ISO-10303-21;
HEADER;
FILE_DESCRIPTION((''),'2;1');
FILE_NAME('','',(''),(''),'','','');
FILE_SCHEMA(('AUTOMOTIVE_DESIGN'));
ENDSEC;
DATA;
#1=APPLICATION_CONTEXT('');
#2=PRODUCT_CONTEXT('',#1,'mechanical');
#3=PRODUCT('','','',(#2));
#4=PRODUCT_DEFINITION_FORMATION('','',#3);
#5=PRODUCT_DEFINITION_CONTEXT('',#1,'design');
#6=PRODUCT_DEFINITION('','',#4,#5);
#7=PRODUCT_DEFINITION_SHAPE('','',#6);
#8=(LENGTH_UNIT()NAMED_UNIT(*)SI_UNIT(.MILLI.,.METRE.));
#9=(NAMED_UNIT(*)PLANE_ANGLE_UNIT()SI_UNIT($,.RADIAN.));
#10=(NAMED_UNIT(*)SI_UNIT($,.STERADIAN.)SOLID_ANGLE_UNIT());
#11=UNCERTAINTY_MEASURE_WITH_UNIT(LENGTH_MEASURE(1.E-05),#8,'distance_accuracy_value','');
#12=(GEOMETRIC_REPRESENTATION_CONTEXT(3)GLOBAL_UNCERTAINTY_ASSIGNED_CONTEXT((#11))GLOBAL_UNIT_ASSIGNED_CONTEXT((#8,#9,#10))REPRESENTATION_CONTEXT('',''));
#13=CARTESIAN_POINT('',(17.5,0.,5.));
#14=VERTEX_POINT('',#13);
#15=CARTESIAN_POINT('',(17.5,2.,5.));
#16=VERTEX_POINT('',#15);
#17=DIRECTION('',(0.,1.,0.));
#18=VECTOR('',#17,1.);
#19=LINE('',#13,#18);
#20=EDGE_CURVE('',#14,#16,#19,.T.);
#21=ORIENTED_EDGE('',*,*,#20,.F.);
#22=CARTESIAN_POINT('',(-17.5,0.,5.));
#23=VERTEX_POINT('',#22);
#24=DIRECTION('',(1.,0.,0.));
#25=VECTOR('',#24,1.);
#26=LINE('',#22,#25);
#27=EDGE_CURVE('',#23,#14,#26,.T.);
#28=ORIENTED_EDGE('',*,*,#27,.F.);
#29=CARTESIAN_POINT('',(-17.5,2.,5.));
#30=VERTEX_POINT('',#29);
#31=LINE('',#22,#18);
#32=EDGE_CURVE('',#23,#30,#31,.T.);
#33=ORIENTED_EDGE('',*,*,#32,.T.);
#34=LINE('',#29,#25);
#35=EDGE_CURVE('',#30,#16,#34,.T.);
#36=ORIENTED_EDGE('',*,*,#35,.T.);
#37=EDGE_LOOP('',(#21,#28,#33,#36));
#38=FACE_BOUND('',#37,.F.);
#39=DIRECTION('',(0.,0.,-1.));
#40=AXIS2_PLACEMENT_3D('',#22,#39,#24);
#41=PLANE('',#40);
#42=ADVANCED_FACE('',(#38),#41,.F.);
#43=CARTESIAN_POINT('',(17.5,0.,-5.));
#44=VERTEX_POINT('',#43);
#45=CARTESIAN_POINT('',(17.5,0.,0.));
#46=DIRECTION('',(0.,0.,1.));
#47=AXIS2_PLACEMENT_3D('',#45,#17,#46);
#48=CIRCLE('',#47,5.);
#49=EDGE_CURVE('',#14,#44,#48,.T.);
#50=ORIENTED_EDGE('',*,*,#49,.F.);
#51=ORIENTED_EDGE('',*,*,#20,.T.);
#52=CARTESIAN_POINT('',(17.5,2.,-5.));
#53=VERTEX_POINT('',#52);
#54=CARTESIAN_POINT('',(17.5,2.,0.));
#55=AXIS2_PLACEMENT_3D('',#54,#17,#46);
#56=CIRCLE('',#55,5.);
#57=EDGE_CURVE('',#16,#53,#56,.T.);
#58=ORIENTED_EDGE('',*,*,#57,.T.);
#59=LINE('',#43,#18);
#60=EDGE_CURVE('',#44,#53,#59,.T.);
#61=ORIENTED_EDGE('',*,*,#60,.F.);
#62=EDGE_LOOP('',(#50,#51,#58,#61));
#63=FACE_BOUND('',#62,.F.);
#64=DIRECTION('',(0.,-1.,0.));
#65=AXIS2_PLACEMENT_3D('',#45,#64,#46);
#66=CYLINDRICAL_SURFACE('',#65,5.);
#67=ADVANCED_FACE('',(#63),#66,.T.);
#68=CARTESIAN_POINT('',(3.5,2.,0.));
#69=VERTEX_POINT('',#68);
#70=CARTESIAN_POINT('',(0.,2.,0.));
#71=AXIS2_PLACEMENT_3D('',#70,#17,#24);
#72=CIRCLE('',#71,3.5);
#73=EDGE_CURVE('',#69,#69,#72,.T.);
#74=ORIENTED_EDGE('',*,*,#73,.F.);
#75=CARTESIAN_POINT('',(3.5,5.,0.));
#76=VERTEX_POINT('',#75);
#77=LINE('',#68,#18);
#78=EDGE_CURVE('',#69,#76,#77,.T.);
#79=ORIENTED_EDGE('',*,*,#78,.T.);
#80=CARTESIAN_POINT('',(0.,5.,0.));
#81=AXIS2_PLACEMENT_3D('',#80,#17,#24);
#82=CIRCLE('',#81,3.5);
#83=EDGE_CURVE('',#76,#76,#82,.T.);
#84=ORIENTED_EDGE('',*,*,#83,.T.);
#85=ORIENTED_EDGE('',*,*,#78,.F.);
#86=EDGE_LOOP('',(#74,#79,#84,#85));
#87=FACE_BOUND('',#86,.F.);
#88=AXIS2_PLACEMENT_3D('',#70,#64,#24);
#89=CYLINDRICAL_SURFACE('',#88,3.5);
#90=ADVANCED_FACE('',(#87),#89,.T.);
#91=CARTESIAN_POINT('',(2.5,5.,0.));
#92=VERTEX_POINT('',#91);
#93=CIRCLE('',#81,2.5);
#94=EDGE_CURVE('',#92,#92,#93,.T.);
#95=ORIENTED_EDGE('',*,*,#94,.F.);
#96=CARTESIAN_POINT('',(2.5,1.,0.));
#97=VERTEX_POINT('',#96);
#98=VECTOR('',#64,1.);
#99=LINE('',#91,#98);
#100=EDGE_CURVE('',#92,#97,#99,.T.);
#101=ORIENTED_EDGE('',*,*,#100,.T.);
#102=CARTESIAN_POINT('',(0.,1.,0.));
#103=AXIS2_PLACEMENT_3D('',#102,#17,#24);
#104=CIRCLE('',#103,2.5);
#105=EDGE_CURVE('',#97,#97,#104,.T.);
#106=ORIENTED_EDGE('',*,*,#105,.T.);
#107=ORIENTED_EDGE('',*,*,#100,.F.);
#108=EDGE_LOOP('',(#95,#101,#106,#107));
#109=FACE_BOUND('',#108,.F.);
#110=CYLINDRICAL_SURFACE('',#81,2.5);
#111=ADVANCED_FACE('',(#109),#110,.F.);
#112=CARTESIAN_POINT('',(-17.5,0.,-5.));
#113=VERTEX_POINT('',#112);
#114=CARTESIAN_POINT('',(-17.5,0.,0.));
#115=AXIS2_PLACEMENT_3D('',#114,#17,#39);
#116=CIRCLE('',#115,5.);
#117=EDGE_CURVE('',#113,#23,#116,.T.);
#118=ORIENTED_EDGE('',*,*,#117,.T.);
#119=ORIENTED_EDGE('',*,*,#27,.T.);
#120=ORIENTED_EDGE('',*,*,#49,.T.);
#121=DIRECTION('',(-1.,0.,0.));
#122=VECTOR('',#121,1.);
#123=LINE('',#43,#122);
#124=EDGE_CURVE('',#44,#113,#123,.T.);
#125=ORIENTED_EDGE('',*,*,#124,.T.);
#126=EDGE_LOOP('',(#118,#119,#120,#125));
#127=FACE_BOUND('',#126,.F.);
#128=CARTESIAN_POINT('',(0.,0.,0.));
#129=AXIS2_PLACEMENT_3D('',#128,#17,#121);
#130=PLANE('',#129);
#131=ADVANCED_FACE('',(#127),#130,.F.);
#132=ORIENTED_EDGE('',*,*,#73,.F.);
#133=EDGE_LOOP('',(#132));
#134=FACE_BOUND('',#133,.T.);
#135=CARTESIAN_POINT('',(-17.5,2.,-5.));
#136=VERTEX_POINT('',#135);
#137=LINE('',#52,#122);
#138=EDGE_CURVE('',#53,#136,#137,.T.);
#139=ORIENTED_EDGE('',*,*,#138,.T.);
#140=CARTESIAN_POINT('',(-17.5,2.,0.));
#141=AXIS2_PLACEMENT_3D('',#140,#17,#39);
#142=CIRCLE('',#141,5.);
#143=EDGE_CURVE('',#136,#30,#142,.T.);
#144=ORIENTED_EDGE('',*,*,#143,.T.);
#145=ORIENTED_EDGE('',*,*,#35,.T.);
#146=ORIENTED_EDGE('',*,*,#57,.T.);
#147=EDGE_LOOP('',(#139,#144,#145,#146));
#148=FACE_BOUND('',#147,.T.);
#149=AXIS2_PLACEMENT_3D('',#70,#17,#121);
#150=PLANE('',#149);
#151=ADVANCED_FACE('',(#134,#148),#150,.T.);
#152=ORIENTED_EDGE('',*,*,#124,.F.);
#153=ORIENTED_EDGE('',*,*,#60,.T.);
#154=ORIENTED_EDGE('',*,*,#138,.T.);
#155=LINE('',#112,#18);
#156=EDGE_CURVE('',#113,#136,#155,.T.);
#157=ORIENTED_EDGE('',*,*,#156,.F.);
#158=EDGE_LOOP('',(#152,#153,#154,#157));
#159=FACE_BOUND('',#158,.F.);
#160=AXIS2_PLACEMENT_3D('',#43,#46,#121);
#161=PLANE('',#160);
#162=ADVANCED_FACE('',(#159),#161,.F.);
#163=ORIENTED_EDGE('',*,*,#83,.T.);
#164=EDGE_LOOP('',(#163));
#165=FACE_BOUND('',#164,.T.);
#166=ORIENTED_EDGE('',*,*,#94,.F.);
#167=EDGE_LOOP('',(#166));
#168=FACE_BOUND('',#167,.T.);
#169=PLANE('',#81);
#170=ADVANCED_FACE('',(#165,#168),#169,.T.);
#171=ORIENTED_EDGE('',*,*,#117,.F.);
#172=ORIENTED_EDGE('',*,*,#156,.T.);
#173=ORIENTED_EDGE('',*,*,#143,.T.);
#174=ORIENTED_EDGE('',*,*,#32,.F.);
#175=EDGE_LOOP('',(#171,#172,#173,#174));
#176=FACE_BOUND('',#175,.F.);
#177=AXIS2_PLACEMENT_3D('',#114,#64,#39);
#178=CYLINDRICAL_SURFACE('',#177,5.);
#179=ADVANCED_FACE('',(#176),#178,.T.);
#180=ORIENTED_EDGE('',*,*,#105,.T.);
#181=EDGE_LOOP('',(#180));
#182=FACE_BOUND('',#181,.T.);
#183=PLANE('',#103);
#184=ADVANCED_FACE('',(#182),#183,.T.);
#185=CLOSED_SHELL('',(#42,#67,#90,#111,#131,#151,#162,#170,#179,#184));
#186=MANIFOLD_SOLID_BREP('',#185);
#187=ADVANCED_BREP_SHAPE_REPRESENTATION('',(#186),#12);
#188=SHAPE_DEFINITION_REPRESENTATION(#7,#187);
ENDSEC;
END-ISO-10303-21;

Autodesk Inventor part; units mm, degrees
ref_plane "YZ Plane" through (0, 0, 0) normal (1, 0, 0) x (0, 1, 0)
ref_plane "XZ Plane" through (0, 0, 0) normal (0, 1, 0) x (-1, 0, 0)
ref_plane "XY Plane" through (0, 0, 0) normal (0, 0, 1) x (1, 0, 0)
sketch "Sketch1" plane through (0, 0, 0) normal (0, 1, 0) x (-1, 0, 0)
  line L0 (17.5, 0) -> (-17.5, 0) construction
  line L1 (17.5, 5) -> (-17.5, 5)
  line L2 (-17.5, -5) -> (17.5, -5)
  arc A0 (17.5, -5) -> (17.5, 5) centre (17.5, 0) ccw
  arc A1 (-17.5, 5) -> (-17.5, -5) centre (-17.5, 0) ccw
  point P0 (0, 0)
  dimension "d0" = 17.5
  dimension "d1" = 10
extrude "Extrusion1" add sketch "Sketch1" along normal blind 2
sketch "Sketch2" plane through (0, 2, 0) normal (0, 1, 0) x (1, 0, 0)
  circle A0 centre (0, 0) radius 3.5
  dimension "d4" = 7
extrude "Extrusion2" add sketch "Sketch2" along normal blind 3
sketch "Sketch3" plane through (0, 5, 0) normal (0, 1, 0) x (1, 0, 0)
  circle A0 centre (0, 0) radius 2.5
  point P0 (0, 0)
  dimension "d7" = 5
extrude "Extrusion3" cut sketch "Sketch3" against normal blind 4
properties part number "tang"
